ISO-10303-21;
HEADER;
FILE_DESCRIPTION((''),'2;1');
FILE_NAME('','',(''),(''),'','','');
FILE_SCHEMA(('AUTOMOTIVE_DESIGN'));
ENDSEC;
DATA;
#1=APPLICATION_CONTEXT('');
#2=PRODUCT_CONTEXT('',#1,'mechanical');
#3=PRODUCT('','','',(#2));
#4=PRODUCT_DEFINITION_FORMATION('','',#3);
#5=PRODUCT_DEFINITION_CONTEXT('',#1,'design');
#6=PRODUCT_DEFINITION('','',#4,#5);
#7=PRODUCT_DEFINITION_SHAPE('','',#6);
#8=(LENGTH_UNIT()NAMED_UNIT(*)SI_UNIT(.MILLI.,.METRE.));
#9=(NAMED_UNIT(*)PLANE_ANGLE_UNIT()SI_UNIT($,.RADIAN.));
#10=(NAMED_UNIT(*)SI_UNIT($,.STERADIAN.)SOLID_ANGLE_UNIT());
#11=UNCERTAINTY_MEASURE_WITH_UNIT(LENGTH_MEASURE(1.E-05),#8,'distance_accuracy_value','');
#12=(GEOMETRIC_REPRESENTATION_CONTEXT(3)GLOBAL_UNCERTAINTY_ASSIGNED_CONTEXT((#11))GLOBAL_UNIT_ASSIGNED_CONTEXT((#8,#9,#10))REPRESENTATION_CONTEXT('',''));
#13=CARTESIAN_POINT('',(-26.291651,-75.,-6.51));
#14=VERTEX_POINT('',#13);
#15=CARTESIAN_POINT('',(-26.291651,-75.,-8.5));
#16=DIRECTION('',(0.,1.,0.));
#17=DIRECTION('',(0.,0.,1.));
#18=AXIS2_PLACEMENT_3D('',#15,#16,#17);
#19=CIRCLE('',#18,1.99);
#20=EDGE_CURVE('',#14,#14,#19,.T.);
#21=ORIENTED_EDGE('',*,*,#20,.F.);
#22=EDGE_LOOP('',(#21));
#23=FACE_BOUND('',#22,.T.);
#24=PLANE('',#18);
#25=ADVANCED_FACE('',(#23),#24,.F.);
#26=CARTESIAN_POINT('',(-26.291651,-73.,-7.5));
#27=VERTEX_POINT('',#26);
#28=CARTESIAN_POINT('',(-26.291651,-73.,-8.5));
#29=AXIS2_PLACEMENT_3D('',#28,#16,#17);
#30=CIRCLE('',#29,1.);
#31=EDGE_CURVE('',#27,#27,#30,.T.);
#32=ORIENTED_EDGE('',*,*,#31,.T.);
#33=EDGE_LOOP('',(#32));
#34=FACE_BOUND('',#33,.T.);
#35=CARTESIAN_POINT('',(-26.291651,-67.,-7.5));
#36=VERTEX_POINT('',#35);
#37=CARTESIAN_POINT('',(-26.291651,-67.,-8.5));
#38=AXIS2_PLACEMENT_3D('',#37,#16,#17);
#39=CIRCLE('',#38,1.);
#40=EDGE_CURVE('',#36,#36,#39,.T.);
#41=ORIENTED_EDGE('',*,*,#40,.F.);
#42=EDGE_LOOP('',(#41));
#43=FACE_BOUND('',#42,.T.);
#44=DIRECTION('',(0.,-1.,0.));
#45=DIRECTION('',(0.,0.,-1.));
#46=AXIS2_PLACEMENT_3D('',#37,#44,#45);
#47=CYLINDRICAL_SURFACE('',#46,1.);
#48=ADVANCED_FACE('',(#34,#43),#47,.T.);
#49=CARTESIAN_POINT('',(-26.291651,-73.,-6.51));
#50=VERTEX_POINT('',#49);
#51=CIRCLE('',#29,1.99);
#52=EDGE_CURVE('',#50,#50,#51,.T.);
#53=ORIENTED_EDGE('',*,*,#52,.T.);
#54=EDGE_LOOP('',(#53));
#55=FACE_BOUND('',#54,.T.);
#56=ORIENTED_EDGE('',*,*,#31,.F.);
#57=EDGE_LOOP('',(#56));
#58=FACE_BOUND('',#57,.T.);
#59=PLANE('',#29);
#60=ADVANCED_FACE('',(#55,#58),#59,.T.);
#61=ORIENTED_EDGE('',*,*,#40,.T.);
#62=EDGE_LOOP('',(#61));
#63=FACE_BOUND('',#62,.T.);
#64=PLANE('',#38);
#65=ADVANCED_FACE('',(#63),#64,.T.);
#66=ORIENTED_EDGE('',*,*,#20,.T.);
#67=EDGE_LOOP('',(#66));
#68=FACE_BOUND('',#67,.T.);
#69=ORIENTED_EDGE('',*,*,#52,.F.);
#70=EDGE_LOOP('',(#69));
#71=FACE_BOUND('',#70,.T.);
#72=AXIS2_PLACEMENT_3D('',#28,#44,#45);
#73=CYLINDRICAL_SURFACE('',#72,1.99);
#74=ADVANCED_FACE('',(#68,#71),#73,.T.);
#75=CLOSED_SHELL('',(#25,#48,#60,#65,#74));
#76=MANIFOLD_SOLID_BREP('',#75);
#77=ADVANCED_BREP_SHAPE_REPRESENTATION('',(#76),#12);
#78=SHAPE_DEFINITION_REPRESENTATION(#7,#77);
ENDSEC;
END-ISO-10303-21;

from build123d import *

# Parameters (mm, degrees)
M2X6_FULL_THREAD_ENVELOPE_SKETCH_R     = 1
M2X6_FULL_THREAD_ENVELOPE_DEPTH        = 6
PURCHASED_DIN912_MAXIMUM_HEAD_SKETCH_R = 1.99
PURCHASED_DIN912_MAXIMUM_HEAD_DEPTH    = 2


with BuildPart() as part:
    # M2x6 full-thread envelope sketch → M2x6 full-thread envelope (new body)
    with BuildSketch(Plane(origin=(0, -73, 0), x_dir=(1, 0, 0), z_dir=(0, 1, 0))):
        with Locations(Location((-26.291651246, 8.5, 0), (0, 0, 270))):
            Circle(M2X6_FULL_THREAD_ENVELOPE_SKETCH_R)
    extrude(amount=M2X6_FULL_THREAD_ENVELOPE_DEPTH)

    # Purchased DIN912 maximum head sketch → Purchased DIN912 maximum head (add)
    with BuildSketch(Plane(origin=(0, -75, 0), x_dir=(1, 0, 0), z_dir=(0, 1, 0))):
        with Locations(Location((-26.291651246, 8.5, 0), (0, 0, 270))):
            Circle(PURCHASED_DIN912_MAXIMUM_HEAD_SKETCH_R)
    extrude(amount=PURCHASED_DIN912_MAXIMUM_HEAD_DEPTH)


solid = part.part
